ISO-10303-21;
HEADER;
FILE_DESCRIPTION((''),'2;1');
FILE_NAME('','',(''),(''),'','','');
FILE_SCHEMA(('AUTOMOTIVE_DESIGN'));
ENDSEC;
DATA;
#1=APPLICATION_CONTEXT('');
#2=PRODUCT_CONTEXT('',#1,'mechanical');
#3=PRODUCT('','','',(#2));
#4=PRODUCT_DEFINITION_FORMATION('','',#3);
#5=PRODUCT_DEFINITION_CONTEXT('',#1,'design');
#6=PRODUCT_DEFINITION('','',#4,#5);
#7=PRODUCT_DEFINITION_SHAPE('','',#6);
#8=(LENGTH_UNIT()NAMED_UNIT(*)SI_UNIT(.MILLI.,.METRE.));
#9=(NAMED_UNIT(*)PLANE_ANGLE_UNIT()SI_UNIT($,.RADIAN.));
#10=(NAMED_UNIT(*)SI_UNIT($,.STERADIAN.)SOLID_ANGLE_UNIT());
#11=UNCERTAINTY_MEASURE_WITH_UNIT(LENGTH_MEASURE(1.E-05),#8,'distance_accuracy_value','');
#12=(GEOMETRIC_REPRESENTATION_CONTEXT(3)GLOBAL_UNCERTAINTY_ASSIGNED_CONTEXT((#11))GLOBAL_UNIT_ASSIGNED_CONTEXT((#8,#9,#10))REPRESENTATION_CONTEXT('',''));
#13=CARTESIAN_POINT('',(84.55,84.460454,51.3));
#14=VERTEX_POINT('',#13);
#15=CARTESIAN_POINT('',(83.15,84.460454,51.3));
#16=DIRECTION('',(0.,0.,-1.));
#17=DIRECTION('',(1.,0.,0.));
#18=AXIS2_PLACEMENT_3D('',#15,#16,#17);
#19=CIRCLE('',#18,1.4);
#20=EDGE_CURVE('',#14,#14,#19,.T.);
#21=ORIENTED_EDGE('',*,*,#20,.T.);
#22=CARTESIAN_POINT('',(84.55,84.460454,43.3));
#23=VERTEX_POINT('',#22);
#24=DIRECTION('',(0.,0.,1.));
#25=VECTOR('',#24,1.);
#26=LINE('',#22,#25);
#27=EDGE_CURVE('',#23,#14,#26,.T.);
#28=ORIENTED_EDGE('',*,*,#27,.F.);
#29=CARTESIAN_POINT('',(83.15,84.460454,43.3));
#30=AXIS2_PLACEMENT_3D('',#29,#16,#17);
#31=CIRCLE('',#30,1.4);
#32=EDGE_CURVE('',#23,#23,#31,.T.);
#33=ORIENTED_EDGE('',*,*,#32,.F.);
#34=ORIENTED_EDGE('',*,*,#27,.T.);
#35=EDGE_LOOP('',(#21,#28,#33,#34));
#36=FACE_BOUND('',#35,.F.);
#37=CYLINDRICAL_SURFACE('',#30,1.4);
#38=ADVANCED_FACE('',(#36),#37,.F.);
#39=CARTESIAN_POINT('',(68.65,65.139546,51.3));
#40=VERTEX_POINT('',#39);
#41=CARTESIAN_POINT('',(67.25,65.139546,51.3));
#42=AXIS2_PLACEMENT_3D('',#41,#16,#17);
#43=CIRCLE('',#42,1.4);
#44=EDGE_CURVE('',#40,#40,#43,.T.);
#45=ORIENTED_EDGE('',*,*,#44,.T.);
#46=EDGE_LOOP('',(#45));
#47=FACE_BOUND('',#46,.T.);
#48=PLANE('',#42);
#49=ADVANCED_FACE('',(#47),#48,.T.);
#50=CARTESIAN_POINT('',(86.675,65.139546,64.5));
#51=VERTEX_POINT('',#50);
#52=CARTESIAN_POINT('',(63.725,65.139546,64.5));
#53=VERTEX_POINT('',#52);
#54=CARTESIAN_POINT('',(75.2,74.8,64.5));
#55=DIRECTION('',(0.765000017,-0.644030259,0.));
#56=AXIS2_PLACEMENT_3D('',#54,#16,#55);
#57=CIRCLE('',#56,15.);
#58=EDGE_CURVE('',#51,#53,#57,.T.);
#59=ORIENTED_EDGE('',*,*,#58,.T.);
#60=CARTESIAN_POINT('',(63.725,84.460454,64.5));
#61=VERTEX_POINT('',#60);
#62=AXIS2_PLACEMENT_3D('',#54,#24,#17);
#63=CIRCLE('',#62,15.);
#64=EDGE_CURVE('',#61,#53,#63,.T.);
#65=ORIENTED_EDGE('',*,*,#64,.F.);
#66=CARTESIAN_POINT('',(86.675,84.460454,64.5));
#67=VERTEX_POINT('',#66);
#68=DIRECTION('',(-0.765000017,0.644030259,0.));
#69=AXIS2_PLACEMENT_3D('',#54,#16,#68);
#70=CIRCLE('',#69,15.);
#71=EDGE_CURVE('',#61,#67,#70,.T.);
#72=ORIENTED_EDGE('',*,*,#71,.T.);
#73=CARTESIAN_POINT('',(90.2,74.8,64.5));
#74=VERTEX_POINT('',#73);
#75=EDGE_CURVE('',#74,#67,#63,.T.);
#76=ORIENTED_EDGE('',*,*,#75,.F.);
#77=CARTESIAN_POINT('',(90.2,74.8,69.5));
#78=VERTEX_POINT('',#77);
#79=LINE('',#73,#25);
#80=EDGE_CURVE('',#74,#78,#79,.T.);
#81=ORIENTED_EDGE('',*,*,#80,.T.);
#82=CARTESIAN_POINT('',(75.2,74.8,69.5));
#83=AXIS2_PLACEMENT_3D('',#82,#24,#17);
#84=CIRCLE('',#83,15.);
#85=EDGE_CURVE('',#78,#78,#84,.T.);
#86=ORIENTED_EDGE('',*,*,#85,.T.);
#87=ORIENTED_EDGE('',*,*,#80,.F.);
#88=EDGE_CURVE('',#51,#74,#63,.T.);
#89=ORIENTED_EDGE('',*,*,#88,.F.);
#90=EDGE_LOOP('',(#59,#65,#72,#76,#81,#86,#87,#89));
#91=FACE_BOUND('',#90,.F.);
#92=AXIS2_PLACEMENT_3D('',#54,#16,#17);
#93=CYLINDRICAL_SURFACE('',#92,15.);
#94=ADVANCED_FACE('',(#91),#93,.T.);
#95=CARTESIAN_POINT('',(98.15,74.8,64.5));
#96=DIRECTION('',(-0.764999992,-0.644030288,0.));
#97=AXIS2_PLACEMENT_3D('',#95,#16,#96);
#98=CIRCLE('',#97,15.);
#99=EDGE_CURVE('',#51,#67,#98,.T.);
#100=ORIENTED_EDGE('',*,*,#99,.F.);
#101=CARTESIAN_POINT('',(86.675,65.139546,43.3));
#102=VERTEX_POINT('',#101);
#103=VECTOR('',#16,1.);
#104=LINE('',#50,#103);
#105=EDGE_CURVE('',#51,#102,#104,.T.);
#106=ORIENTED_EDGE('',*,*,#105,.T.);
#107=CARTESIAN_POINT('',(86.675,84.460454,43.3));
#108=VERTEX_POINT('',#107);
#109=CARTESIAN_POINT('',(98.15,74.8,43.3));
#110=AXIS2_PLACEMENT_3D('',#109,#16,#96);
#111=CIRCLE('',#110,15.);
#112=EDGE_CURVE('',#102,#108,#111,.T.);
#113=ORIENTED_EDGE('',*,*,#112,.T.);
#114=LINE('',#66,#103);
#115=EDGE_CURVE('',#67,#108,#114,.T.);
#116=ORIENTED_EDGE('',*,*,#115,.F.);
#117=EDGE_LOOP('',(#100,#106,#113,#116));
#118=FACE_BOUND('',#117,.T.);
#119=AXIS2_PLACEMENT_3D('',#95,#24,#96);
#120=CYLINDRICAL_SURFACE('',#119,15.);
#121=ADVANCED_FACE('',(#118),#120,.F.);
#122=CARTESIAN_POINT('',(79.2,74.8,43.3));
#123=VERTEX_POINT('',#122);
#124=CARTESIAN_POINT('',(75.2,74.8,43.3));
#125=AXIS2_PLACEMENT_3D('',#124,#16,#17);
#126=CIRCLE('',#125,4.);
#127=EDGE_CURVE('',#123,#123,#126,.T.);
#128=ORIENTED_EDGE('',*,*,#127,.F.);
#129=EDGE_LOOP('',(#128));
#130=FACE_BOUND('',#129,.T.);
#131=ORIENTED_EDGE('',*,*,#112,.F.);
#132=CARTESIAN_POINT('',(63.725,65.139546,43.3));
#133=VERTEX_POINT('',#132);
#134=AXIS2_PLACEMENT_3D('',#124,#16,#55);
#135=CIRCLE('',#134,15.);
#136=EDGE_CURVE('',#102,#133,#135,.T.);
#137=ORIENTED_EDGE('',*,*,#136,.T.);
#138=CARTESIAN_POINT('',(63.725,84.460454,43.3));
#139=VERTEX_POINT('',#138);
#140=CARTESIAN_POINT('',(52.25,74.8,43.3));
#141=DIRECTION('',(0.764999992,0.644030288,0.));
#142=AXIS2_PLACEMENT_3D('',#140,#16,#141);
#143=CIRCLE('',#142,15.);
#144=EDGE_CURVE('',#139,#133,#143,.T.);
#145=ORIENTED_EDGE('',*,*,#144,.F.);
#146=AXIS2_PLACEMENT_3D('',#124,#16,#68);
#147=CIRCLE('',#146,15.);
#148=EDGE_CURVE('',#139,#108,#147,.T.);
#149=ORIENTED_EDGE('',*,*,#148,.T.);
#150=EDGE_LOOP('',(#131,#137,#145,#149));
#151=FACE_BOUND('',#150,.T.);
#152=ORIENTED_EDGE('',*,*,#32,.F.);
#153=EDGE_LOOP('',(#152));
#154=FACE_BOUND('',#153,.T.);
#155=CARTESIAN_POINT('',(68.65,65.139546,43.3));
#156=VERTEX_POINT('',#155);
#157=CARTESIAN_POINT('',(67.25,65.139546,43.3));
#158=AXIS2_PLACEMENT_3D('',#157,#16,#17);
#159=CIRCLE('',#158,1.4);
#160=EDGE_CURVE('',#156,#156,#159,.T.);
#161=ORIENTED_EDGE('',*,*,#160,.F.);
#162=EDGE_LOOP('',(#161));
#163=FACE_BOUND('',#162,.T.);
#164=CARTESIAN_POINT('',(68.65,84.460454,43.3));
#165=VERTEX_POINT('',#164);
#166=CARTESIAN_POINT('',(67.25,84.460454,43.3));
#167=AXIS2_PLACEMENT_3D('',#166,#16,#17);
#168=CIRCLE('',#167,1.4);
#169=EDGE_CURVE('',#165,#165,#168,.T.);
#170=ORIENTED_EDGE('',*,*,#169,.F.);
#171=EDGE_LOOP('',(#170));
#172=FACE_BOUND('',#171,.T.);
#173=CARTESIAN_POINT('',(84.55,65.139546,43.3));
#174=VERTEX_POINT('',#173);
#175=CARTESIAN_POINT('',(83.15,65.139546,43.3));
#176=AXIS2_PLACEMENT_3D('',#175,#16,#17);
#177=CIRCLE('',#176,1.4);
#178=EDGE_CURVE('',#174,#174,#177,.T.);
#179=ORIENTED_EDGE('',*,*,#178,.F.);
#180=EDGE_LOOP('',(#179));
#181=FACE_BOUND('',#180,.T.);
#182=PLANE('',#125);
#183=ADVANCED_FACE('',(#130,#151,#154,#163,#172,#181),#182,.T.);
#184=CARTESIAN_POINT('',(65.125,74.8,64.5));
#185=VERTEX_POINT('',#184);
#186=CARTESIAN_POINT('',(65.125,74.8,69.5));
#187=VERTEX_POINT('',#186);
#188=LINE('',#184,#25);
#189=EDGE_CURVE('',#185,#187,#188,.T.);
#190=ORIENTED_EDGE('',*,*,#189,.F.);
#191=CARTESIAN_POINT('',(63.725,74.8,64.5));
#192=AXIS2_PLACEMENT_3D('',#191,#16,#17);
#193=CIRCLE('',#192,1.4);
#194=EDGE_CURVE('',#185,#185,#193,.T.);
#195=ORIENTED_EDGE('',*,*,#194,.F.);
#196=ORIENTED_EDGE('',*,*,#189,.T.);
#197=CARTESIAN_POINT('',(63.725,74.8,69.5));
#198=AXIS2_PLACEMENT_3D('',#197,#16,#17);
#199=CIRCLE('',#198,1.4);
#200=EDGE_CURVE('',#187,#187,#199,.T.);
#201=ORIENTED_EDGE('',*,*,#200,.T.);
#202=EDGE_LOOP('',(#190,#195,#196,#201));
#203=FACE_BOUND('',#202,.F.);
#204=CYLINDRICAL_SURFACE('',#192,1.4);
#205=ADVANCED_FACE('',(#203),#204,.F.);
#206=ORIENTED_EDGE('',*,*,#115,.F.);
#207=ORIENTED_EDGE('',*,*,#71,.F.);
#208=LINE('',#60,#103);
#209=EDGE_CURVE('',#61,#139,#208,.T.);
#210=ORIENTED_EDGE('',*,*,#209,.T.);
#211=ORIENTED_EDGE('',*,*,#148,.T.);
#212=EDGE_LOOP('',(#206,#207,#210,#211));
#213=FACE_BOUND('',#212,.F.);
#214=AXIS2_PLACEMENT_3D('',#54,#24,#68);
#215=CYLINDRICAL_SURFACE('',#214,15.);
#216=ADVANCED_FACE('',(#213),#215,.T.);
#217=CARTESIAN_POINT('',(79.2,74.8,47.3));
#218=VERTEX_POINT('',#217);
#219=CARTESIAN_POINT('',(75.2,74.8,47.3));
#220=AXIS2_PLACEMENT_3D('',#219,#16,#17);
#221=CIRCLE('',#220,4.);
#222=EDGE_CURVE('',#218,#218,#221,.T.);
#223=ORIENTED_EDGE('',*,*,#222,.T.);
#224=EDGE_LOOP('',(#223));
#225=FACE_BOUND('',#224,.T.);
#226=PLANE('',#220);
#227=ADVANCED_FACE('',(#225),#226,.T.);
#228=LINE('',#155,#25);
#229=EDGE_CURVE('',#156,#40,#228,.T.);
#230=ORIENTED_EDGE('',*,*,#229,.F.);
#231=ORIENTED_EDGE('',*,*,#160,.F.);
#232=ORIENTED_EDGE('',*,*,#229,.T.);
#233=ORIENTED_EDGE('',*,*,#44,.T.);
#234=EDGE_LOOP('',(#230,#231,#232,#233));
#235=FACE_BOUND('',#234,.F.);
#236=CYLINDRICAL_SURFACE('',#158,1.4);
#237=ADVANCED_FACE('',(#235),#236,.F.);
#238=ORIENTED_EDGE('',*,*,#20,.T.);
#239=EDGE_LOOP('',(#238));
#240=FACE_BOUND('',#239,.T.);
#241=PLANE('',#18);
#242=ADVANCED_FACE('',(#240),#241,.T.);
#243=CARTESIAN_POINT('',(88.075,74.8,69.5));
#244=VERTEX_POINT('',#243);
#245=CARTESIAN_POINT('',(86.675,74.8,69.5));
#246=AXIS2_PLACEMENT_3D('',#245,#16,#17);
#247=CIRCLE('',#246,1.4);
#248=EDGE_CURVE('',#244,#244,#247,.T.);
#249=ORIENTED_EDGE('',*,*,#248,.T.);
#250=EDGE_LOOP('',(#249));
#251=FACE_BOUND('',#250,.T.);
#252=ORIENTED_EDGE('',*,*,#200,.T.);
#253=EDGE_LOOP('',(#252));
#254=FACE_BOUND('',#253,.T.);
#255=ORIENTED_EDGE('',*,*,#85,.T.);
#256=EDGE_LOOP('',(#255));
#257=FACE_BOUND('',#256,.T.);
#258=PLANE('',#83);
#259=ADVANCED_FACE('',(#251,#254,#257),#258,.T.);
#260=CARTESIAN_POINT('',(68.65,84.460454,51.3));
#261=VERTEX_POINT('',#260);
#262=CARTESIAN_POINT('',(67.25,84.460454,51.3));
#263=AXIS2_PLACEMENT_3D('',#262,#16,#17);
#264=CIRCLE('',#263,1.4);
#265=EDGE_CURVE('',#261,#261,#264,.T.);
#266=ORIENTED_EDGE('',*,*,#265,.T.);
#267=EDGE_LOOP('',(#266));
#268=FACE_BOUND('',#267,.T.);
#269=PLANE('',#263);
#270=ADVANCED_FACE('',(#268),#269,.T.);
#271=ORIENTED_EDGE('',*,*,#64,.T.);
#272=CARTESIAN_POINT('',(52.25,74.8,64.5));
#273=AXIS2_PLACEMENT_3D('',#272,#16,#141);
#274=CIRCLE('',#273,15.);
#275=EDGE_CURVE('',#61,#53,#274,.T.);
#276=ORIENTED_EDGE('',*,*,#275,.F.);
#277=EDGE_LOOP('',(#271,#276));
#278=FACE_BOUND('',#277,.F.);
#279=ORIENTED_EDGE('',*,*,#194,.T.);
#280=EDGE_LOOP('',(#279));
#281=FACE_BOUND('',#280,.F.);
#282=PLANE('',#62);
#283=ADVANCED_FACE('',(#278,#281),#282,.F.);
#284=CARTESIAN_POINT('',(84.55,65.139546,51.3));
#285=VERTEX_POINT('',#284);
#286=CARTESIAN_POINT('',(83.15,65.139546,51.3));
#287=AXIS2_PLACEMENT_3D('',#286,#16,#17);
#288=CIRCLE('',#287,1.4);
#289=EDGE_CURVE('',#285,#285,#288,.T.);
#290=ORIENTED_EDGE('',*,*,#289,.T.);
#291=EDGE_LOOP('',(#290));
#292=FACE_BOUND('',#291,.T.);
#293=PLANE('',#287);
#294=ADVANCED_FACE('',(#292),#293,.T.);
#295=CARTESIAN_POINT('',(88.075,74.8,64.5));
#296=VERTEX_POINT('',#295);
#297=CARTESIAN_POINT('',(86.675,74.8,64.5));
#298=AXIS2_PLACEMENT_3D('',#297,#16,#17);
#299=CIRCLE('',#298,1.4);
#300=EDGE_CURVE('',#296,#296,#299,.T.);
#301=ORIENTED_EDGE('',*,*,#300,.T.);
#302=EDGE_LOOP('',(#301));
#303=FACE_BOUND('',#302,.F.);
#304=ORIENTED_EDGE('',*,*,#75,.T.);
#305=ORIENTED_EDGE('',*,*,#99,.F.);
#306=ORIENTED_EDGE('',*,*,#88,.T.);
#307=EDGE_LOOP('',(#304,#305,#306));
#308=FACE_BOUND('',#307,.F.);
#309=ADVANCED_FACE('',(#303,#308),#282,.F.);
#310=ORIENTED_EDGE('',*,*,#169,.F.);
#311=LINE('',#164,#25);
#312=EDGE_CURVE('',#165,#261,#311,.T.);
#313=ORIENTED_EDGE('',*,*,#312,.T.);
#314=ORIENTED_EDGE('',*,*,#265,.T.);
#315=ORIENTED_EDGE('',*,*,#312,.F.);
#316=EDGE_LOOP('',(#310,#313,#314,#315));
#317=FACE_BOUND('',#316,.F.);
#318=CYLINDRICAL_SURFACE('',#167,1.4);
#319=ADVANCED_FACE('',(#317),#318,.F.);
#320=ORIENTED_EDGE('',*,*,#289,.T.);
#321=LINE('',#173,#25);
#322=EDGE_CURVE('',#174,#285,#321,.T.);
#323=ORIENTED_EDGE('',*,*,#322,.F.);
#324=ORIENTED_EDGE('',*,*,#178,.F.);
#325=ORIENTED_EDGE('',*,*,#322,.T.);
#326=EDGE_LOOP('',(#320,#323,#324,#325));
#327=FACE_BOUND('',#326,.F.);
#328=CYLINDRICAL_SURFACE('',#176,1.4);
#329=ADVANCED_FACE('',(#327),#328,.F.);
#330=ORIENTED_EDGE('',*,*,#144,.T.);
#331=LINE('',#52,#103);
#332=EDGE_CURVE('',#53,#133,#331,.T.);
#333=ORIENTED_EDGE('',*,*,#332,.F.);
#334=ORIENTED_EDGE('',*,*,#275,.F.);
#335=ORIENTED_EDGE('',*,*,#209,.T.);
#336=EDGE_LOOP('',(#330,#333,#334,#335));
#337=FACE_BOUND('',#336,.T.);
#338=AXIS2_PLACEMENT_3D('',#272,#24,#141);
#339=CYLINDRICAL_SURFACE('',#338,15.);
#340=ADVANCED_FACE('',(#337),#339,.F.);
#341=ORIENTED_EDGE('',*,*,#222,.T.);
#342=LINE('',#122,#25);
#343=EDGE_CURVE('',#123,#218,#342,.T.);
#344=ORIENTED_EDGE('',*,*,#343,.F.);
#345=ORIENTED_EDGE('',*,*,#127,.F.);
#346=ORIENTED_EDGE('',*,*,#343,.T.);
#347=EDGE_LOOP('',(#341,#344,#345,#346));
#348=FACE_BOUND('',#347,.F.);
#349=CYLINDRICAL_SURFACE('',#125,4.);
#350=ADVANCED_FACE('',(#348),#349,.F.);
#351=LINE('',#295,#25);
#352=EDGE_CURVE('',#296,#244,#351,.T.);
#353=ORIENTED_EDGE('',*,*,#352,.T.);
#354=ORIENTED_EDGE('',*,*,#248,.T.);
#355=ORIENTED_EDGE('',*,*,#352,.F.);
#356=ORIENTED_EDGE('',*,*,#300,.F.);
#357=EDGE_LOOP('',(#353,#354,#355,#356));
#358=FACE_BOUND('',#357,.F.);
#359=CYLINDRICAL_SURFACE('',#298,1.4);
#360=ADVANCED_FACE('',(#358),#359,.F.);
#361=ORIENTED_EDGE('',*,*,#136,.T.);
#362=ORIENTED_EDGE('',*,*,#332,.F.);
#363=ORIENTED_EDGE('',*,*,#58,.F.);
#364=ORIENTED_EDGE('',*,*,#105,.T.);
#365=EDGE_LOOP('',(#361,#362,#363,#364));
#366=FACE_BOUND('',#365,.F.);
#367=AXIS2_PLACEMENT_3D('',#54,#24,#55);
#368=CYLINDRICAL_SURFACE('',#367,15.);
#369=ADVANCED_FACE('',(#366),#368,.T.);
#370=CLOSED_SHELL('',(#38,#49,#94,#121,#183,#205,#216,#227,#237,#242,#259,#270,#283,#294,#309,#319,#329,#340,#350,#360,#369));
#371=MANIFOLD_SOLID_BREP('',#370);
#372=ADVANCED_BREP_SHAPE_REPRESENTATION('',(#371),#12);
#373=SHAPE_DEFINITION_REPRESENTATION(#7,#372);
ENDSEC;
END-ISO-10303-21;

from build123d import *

# Parameters (mm, degrees)
SKETCH085_R             = 15
PAD020_DEPTH            = 5
SKETCH084_R             = 1.4
POCKET057_DEPTH         = 5.001
PAD019_DEPTH            = 21.2
SKETCH083_R             = 4
POCKET056_DEPTH         = 4
SKETCH087_R             = 1.4
POCKET058_DEPTH         = 8
BODY010_PLACEMENT_ANGLE = 90


with BuildPart() as part:
    # Sketch085 → Pad020 (new body)
    with BuildSketch(Plane.XZ):
        Circle(SKETCH085_R)
    extrude(amount=PAD020_DEPTH)

    # Sketch084 (on Face2 of Pad020) → Pocket057 (cut, through all)
    with BuildSketch(Plane(origin=(0, 0, 0), x_dir=(1, 0, 0), z_dir=(0, 1, 0))):
        with Locations((-11.475, 0)):
            Circle(SKETCH084_R)
        with Locations((11.475, 0)):
            Circle(SKETCH084_R)
    extrude(amount=-POCKET057_DEPTH, mode=Mode.SUBTRACT)

    # Sketch086 (on Face2 of Pocket057) → Pad019 (join)
    with BuildSketch(Plane(origin=(0, 0, 0), x_dir=(1, 0, 0), z_dir=(0, 1, 0))):
        with BuildLine():
            ThreePointArc((11.475, 9.660454), (0, 15), (-11.475, 9.660454))
            ThreePointArc((-11.475, -9.660454), (-7.95, 0), (-11.475, 9.660454))
            ThreePointArc((-11.475, -9.660454), (0, -15), (11.475, -9.660454))
            ThreePointArc((11.475, 9.660454), (7.95, 0), (11.475, -9.660454))
        make_face()
    extrude(amount=PAD019_DEPTH)

    # Sketch083 (on Face10 of Pad019) → Pocket056 (cut)
    with BuildSketch(Plane(origin=(0, 21.2, 0), x_dir=(1, 0, 0), z_dir=(0, 1, 0))):
        Circle(SKETCH083_R)
    extrude(amount=-POCKET056_DEPTH, mode=Mode.SUBTRACT)

    # Sketch087 (on Face10 of Pocket056) → Pocket058 (cut)
    with BuildSketch(Plane(origin=(0, 21.2, 0), x_dir=(1, 0, 0), z_dir=(0, 1, 0))):
        with Locations((-7.95, 9.660454)):
            Circle(SKETCH087_R)
        with Locations((7.95, 9.660454)):
            Circle(SKETCH087_R)
        with Locations((-7.95, -9.660454)):
            Circle(SKETCH087_R)
        with Locations((7.95, -9.660454)):
            Circle(SKETCH087_R)
    extrude(amount=-POCKET058_DEPTH, mode=Mode.SUBTRACT)


with BuildPart() as part_1:
    # Body010 placement: moved
    add(part.part.moved(Location((75.2, 74.8, 64.5))).rotate(Axis((75.2, 74.8, 64.5), (-1, 0, 0)), BODY010_PLACEMENT_ANGLE))


solid = part_1.part
